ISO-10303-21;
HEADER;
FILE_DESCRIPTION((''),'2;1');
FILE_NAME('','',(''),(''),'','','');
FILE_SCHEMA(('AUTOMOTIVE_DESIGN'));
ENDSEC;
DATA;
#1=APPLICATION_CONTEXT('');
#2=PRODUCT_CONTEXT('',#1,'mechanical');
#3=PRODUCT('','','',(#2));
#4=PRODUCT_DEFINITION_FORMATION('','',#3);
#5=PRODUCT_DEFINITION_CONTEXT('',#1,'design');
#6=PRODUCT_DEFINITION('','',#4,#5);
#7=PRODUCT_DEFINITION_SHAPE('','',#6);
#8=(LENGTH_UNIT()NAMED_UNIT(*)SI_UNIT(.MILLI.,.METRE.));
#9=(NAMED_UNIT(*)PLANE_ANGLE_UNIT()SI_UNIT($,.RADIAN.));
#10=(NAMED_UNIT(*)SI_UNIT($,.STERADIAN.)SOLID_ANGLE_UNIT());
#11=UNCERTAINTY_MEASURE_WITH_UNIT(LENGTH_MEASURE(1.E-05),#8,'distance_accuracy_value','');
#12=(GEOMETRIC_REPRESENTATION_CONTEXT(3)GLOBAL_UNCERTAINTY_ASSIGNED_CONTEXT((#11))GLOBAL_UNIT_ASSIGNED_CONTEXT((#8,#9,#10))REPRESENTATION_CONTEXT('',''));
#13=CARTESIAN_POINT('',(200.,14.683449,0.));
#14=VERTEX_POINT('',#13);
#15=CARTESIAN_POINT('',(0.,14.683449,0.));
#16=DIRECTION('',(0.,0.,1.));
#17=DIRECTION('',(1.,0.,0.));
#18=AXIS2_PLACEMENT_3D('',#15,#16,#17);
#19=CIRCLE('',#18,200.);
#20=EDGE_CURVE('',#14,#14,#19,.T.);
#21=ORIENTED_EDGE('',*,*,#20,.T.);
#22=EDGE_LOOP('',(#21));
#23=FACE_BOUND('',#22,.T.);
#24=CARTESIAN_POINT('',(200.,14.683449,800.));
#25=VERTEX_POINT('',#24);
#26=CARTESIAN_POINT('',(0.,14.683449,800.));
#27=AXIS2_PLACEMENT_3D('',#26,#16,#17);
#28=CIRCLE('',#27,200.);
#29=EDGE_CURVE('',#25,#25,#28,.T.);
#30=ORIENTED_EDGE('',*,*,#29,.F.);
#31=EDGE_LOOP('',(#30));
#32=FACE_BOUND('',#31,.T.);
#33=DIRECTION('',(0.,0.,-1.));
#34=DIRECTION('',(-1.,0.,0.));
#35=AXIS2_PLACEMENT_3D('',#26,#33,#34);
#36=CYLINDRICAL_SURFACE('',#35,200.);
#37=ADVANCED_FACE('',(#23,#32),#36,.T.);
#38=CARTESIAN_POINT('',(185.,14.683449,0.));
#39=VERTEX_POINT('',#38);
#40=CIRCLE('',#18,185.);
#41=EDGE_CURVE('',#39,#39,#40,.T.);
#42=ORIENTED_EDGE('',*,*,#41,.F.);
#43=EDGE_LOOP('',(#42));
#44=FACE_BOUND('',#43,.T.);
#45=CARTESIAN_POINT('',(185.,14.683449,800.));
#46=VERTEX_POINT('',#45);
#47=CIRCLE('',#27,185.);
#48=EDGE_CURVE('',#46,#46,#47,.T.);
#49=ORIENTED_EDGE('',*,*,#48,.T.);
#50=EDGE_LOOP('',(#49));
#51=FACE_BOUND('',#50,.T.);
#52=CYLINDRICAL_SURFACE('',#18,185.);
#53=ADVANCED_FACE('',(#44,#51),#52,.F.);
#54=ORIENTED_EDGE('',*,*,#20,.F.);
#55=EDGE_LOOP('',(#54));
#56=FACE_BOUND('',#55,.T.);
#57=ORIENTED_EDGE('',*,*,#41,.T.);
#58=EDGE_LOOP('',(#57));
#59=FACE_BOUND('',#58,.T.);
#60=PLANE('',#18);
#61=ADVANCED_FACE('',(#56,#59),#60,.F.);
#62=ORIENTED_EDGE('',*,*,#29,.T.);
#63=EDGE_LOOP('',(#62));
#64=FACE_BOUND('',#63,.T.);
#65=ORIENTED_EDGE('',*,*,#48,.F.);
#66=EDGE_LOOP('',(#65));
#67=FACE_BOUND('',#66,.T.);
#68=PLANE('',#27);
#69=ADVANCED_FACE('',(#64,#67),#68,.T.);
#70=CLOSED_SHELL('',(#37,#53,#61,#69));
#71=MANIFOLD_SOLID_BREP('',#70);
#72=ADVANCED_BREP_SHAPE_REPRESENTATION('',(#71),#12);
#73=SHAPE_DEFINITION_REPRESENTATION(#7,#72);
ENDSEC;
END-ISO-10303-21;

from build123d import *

# Parameters (mm, degrees)
SKETCH_1_R          = 200
EXTRUDE_1_DEPTH     = 800
SKETCH_2_R          = 185
CUT_EXTRUDE_2_DEPTH = 800


with BuildPart() as part:
    # 草图1 → 凸台-拉伸1 (new body)
    with BuildSketch(Plane.XY):
        with Locations((0, 14.683449098)):
            Circle(SKETCH_1_R)
    extrude(amount=EXTRUDE_1_DEPTH)

    # 草图2 → 切除-拉伸2 (cut)
    with BuildSketch(Plane.XY.offset(800)):
        with Locations((0, 14.683449098)):
            Circle(SKETCH_2_R)
    extrude(amount=-CUT_EXTRUDE_2_DEPTH, mode=Mode.SUBTRACT)


solid = part.part
